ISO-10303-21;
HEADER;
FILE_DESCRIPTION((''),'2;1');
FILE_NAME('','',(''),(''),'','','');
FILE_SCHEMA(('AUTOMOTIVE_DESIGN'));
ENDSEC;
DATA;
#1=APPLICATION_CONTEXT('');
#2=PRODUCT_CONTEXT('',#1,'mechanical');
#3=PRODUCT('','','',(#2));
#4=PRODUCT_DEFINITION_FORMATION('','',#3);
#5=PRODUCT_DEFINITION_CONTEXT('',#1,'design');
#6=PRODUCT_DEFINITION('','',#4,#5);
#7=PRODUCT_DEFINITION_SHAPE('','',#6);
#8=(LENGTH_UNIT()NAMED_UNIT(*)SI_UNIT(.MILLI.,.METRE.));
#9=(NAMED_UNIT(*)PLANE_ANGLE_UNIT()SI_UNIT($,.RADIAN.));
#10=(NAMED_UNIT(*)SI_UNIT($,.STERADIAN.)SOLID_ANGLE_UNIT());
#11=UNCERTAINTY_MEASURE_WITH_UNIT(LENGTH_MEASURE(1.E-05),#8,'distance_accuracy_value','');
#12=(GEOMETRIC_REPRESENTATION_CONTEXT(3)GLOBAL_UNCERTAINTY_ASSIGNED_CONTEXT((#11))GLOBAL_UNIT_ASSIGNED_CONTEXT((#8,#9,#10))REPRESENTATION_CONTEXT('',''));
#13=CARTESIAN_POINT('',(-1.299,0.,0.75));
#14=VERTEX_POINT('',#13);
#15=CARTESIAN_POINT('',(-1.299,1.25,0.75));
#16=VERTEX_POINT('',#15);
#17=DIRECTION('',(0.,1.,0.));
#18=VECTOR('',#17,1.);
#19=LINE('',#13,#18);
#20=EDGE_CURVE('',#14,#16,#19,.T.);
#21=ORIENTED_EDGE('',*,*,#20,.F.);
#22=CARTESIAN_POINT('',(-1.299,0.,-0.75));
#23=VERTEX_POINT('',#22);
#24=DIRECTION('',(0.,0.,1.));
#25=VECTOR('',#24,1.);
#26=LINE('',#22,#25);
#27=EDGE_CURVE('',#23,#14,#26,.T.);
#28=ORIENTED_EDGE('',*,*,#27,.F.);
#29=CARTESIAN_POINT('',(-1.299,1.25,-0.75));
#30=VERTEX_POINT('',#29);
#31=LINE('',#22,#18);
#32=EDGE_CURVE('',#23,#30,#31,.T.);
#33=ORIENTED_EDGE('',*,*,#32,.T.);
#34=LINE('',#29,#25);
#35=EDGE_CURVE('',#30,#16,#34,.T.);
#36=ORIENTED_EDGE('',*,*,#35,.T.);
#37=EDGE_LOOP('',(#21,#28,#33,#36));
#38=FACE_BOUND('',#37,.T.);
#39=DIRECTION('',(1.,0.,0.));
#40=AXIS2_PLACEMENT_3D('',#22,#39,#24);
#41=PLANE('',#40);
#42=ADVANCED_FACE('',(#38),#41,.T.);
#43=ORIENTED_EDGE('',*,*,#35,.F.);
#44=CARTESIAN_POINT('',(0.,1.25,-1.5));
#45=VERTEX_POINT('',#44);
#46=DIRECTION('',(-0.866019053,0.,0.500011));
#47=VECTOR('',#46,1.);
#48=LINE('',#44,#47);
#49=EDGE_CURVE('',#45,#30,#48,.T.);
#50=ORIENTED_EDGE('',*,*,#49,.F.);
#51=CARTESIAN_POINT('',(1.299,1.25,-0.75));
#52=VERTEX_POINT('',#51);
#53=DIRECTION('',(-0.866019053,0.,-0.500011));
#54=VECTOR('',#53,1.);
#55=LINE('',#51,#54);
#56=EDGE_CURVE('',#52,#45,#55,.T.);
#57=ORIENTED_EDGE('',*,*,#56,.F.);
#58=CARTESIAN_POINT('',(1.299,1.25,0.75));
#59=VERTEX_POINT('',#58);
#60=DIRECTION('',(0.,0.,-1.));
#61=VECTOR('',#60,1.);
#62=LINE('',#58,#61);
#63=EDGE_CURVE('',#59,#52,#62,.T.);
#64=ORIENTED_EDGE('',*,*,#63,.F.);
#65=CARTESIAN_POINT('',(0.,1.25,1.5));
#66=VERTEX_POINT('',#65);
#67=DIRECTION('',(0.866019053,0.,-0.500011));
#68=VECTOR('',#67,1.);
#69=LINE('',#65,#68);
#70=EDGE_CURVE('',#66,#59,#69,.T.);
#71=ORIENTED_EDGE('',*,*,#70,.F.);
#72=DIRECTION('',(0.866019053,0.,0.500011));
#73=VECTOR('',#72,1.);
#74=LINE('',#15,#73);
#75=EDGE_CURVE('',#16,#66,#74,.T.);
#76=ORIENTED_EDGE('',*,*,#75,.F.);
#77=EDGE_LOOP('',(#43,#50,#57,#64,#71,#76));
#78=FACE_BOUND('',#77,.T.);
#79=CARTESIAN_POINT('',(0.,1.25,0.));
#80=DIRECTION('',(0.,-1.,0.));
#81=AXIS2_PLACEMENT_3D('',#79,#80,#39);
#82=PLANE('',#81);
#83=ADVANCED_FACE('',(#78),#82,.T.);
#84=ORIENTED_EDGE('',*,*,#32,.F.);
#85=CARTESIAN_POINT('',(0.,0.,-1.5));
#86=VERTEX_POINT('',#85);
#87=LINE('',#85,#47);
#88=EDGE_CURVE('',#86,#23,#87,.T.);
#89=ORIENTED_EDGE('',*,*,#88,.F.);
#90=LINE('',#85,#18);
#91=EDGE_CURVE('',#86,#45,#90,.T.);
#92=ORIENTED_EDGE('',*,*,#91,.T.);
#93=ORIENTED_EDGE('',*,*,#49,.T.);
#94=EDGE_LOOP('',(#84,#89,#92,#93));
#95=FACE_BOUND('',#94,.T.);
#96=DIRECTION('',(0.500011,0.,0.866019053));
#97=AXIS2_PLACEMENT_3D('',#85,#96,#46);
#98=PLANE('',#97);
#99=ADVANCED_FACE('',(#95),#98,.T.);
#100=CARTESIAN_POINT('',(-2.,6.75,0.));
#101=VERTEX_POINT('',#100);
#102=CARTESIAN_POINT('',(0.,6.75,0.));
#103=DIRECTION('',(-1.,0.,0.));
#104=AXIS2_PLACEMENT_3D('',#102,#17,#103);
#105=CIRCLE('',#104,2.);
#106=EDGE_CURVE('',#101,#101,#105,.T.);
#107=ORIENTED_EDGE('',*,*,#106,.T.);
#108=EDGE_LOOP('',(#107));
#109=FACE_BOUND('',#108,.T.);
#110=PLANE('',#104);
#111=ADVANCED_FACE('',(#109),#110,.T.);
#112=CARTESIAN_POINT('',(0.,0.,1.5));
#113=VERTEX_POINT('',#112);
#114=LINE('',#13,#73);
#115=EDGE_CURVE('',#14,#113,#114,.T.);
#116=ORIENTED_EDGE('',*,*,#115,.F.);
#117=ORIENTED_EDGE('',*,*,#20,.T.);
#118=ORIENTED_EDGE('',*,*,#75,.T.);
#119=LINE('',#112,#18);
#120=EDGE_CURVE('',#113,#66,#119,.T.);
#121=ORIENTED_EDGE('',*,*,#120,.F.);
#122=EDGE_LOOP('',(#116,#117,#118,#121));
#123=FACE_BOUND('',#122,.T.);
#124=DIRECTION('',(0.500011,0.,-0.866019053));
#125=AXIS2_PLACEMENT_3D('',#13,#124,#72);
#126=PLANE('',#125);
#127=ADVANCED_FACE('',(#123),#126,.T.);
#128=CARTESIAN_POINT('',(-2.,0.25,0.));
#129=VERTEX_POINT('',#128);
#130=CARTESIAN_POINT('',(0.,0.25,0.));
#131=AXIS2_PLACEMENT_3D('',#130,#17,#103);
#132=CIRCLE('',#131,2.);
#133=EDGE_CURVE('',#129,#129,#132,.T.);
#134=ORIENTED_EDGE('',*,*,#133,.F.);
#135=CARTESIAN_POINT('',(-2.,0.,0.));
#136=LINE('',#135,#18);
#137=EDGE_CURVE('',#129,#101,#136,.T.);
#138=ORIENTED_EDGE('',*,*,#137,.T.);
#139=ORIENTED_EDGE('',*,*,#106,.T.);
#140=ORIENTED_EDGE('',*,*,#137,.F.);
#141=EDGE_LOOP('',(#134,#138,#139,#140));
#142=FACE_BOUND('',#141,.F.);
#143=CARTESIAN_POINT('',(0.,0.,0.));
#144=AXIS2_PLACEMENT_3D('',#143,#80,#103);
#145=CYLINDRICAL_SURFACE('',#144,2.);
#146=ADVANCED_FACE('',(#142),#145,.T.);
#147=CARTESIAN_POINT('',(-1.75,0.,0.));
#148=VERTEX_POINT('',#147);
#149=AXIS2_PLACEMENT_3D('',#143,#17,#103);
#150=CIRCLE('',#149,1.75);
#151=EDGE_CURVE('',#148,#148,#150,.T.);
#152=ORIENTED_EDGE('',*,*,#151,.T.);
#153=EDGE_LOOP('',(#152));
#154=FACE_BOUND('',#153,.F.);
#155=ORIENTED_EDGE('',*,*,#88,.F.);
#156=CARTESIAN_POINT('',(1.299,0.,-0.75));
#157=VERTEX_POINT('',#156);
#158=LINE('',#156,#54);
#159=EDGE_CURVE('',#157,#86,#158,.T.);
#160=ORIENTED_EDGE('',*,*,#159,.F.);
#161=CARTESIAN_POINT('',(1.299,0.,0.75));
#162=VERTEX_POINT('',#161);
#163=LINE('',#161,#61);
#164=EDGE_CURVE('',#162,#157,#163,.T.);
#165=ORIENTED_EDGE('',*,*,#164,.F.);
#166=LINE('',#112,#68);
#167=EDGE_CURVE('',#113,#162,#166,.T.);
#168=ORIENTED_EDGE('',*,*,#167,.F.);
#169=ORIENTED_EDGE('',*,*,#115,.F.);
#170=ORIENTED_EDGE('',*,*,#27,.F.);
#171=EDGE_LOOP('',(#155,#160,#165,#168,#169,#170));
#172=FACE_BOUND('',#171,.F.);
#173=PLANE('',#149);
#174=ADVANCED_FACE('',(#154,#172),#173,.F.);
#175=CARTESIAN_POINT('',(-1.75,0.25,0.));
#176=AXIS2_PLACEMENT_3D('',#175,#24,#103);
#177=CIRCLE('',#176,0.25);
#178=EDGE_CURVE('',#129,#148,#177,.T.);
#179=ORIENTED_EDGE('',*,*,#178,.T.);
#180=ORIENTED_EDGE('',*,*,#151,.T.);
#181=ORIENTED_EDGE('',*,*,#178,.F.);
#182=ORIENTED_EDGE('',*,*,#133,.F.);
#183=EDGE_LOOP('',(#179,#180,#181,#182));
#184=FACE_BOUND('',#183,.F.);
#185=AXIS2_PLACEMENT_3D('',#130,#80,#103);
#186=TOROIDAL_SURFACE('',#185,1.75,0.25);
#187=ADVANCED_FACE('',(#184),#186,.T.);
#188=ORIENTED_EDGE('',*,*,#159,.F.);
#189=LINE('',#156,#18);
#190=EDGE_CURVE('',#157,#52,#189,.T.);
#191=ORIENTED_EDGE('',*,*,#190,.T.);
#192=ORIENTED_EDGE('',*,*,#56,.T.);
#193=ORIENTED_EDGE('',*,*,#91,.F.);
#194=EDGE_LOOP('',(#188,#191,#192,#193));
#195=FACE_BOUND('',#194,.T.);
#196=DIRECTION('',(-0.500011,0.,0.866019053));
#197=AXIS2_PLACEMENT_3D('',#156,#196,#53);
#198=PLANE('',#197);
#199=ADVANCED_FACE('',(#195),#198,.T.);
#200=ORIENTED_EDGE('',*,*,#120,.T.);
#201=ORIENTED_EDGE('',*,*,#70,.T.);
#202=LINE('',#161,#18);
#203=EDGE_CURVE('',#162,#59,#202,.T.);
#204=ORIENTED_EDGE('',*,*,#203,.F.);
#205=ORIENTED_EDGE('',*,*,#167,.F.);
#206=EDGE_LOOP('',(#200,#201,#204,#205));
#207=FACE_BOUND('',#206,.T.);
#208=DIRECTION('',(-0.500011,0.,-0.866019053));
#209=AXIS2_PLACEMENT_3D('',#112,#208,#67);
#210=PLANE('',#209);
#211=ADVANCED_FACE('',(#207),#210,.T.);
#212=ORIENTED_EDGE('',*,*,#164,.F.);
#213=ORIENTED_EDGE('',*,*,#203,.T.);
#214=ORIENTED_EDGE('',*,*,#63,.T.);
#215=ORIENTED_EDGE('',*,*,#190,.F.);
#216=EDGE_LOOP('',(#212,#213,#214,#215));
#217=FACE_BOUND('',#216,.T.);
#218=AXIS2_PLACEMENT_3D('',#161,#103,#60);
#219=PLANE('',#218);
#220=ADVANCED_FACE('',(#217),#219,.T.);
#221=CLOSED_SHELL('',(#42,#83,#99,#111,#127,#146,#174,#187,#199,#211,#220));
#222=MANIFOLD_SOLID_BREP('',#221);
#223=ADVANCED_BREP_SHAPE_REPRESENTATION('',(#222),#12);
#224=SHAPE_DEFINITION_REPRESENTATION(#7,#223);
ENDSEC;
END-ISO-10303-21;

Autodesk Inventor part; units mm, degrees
ref_plane "YZ Plane" through (0, 0, 0) normal (1, 0, 0) x (0, 1, 0)
ref_plane "XZ Plane" through (0, 0, 0) normal (0, 1, 0) x (-1, 0, 0)
ref_plane "XY Plane" through (0, 0, 0) normal (0, 0, 1) x (1, 0, 0)
sketch "Эскиз1" plane through (0, 0, 0) normal (0, 1, 0) x (-1, 0, 0)
  circle A0 centre (0, 0) radius 2
  dimension "d0" = 4
extrude "Выдавливание1" add sketch "Эскиз1" along normal blind 6.75
sketch "Эскиз2" plane through (0, 0, 0) normal (0, -1, 0) x (1, 0, 0)
  circle A0 centre (0, 0) radius 2 projected
  circle A1 centre (0, 0) radius 1.5 construction
  line L0 (0, 1.5) -> (1.299, 0.75)
  line L1 (1.299, 0.75) -> (1.299, -0.75)
  line L2 (1.299, -0.75) -> (0, -1.5)
  line L3 (0, -1.5) -> (-1.299, -0.75)
  line L4 (-1.299, -0.75) -> (-1.299, 0.75)
  line L5 (-1.299, 0.75) -> (0, 1.5)
  dimension "d3" = 3
extrude "Выдавливание2" cut sketch "Эскиз2" against normal blind 1.25 contours L0 L1 L2 L3 L4 L5
fillet "Сопряжение1" radius 0.25 1 edges at (2, 0, 0)
thread "Резьба1" size "M4x0.7" class "6g" standard "ANSI Metric M Profile" full length
properties part number "Bolt"
